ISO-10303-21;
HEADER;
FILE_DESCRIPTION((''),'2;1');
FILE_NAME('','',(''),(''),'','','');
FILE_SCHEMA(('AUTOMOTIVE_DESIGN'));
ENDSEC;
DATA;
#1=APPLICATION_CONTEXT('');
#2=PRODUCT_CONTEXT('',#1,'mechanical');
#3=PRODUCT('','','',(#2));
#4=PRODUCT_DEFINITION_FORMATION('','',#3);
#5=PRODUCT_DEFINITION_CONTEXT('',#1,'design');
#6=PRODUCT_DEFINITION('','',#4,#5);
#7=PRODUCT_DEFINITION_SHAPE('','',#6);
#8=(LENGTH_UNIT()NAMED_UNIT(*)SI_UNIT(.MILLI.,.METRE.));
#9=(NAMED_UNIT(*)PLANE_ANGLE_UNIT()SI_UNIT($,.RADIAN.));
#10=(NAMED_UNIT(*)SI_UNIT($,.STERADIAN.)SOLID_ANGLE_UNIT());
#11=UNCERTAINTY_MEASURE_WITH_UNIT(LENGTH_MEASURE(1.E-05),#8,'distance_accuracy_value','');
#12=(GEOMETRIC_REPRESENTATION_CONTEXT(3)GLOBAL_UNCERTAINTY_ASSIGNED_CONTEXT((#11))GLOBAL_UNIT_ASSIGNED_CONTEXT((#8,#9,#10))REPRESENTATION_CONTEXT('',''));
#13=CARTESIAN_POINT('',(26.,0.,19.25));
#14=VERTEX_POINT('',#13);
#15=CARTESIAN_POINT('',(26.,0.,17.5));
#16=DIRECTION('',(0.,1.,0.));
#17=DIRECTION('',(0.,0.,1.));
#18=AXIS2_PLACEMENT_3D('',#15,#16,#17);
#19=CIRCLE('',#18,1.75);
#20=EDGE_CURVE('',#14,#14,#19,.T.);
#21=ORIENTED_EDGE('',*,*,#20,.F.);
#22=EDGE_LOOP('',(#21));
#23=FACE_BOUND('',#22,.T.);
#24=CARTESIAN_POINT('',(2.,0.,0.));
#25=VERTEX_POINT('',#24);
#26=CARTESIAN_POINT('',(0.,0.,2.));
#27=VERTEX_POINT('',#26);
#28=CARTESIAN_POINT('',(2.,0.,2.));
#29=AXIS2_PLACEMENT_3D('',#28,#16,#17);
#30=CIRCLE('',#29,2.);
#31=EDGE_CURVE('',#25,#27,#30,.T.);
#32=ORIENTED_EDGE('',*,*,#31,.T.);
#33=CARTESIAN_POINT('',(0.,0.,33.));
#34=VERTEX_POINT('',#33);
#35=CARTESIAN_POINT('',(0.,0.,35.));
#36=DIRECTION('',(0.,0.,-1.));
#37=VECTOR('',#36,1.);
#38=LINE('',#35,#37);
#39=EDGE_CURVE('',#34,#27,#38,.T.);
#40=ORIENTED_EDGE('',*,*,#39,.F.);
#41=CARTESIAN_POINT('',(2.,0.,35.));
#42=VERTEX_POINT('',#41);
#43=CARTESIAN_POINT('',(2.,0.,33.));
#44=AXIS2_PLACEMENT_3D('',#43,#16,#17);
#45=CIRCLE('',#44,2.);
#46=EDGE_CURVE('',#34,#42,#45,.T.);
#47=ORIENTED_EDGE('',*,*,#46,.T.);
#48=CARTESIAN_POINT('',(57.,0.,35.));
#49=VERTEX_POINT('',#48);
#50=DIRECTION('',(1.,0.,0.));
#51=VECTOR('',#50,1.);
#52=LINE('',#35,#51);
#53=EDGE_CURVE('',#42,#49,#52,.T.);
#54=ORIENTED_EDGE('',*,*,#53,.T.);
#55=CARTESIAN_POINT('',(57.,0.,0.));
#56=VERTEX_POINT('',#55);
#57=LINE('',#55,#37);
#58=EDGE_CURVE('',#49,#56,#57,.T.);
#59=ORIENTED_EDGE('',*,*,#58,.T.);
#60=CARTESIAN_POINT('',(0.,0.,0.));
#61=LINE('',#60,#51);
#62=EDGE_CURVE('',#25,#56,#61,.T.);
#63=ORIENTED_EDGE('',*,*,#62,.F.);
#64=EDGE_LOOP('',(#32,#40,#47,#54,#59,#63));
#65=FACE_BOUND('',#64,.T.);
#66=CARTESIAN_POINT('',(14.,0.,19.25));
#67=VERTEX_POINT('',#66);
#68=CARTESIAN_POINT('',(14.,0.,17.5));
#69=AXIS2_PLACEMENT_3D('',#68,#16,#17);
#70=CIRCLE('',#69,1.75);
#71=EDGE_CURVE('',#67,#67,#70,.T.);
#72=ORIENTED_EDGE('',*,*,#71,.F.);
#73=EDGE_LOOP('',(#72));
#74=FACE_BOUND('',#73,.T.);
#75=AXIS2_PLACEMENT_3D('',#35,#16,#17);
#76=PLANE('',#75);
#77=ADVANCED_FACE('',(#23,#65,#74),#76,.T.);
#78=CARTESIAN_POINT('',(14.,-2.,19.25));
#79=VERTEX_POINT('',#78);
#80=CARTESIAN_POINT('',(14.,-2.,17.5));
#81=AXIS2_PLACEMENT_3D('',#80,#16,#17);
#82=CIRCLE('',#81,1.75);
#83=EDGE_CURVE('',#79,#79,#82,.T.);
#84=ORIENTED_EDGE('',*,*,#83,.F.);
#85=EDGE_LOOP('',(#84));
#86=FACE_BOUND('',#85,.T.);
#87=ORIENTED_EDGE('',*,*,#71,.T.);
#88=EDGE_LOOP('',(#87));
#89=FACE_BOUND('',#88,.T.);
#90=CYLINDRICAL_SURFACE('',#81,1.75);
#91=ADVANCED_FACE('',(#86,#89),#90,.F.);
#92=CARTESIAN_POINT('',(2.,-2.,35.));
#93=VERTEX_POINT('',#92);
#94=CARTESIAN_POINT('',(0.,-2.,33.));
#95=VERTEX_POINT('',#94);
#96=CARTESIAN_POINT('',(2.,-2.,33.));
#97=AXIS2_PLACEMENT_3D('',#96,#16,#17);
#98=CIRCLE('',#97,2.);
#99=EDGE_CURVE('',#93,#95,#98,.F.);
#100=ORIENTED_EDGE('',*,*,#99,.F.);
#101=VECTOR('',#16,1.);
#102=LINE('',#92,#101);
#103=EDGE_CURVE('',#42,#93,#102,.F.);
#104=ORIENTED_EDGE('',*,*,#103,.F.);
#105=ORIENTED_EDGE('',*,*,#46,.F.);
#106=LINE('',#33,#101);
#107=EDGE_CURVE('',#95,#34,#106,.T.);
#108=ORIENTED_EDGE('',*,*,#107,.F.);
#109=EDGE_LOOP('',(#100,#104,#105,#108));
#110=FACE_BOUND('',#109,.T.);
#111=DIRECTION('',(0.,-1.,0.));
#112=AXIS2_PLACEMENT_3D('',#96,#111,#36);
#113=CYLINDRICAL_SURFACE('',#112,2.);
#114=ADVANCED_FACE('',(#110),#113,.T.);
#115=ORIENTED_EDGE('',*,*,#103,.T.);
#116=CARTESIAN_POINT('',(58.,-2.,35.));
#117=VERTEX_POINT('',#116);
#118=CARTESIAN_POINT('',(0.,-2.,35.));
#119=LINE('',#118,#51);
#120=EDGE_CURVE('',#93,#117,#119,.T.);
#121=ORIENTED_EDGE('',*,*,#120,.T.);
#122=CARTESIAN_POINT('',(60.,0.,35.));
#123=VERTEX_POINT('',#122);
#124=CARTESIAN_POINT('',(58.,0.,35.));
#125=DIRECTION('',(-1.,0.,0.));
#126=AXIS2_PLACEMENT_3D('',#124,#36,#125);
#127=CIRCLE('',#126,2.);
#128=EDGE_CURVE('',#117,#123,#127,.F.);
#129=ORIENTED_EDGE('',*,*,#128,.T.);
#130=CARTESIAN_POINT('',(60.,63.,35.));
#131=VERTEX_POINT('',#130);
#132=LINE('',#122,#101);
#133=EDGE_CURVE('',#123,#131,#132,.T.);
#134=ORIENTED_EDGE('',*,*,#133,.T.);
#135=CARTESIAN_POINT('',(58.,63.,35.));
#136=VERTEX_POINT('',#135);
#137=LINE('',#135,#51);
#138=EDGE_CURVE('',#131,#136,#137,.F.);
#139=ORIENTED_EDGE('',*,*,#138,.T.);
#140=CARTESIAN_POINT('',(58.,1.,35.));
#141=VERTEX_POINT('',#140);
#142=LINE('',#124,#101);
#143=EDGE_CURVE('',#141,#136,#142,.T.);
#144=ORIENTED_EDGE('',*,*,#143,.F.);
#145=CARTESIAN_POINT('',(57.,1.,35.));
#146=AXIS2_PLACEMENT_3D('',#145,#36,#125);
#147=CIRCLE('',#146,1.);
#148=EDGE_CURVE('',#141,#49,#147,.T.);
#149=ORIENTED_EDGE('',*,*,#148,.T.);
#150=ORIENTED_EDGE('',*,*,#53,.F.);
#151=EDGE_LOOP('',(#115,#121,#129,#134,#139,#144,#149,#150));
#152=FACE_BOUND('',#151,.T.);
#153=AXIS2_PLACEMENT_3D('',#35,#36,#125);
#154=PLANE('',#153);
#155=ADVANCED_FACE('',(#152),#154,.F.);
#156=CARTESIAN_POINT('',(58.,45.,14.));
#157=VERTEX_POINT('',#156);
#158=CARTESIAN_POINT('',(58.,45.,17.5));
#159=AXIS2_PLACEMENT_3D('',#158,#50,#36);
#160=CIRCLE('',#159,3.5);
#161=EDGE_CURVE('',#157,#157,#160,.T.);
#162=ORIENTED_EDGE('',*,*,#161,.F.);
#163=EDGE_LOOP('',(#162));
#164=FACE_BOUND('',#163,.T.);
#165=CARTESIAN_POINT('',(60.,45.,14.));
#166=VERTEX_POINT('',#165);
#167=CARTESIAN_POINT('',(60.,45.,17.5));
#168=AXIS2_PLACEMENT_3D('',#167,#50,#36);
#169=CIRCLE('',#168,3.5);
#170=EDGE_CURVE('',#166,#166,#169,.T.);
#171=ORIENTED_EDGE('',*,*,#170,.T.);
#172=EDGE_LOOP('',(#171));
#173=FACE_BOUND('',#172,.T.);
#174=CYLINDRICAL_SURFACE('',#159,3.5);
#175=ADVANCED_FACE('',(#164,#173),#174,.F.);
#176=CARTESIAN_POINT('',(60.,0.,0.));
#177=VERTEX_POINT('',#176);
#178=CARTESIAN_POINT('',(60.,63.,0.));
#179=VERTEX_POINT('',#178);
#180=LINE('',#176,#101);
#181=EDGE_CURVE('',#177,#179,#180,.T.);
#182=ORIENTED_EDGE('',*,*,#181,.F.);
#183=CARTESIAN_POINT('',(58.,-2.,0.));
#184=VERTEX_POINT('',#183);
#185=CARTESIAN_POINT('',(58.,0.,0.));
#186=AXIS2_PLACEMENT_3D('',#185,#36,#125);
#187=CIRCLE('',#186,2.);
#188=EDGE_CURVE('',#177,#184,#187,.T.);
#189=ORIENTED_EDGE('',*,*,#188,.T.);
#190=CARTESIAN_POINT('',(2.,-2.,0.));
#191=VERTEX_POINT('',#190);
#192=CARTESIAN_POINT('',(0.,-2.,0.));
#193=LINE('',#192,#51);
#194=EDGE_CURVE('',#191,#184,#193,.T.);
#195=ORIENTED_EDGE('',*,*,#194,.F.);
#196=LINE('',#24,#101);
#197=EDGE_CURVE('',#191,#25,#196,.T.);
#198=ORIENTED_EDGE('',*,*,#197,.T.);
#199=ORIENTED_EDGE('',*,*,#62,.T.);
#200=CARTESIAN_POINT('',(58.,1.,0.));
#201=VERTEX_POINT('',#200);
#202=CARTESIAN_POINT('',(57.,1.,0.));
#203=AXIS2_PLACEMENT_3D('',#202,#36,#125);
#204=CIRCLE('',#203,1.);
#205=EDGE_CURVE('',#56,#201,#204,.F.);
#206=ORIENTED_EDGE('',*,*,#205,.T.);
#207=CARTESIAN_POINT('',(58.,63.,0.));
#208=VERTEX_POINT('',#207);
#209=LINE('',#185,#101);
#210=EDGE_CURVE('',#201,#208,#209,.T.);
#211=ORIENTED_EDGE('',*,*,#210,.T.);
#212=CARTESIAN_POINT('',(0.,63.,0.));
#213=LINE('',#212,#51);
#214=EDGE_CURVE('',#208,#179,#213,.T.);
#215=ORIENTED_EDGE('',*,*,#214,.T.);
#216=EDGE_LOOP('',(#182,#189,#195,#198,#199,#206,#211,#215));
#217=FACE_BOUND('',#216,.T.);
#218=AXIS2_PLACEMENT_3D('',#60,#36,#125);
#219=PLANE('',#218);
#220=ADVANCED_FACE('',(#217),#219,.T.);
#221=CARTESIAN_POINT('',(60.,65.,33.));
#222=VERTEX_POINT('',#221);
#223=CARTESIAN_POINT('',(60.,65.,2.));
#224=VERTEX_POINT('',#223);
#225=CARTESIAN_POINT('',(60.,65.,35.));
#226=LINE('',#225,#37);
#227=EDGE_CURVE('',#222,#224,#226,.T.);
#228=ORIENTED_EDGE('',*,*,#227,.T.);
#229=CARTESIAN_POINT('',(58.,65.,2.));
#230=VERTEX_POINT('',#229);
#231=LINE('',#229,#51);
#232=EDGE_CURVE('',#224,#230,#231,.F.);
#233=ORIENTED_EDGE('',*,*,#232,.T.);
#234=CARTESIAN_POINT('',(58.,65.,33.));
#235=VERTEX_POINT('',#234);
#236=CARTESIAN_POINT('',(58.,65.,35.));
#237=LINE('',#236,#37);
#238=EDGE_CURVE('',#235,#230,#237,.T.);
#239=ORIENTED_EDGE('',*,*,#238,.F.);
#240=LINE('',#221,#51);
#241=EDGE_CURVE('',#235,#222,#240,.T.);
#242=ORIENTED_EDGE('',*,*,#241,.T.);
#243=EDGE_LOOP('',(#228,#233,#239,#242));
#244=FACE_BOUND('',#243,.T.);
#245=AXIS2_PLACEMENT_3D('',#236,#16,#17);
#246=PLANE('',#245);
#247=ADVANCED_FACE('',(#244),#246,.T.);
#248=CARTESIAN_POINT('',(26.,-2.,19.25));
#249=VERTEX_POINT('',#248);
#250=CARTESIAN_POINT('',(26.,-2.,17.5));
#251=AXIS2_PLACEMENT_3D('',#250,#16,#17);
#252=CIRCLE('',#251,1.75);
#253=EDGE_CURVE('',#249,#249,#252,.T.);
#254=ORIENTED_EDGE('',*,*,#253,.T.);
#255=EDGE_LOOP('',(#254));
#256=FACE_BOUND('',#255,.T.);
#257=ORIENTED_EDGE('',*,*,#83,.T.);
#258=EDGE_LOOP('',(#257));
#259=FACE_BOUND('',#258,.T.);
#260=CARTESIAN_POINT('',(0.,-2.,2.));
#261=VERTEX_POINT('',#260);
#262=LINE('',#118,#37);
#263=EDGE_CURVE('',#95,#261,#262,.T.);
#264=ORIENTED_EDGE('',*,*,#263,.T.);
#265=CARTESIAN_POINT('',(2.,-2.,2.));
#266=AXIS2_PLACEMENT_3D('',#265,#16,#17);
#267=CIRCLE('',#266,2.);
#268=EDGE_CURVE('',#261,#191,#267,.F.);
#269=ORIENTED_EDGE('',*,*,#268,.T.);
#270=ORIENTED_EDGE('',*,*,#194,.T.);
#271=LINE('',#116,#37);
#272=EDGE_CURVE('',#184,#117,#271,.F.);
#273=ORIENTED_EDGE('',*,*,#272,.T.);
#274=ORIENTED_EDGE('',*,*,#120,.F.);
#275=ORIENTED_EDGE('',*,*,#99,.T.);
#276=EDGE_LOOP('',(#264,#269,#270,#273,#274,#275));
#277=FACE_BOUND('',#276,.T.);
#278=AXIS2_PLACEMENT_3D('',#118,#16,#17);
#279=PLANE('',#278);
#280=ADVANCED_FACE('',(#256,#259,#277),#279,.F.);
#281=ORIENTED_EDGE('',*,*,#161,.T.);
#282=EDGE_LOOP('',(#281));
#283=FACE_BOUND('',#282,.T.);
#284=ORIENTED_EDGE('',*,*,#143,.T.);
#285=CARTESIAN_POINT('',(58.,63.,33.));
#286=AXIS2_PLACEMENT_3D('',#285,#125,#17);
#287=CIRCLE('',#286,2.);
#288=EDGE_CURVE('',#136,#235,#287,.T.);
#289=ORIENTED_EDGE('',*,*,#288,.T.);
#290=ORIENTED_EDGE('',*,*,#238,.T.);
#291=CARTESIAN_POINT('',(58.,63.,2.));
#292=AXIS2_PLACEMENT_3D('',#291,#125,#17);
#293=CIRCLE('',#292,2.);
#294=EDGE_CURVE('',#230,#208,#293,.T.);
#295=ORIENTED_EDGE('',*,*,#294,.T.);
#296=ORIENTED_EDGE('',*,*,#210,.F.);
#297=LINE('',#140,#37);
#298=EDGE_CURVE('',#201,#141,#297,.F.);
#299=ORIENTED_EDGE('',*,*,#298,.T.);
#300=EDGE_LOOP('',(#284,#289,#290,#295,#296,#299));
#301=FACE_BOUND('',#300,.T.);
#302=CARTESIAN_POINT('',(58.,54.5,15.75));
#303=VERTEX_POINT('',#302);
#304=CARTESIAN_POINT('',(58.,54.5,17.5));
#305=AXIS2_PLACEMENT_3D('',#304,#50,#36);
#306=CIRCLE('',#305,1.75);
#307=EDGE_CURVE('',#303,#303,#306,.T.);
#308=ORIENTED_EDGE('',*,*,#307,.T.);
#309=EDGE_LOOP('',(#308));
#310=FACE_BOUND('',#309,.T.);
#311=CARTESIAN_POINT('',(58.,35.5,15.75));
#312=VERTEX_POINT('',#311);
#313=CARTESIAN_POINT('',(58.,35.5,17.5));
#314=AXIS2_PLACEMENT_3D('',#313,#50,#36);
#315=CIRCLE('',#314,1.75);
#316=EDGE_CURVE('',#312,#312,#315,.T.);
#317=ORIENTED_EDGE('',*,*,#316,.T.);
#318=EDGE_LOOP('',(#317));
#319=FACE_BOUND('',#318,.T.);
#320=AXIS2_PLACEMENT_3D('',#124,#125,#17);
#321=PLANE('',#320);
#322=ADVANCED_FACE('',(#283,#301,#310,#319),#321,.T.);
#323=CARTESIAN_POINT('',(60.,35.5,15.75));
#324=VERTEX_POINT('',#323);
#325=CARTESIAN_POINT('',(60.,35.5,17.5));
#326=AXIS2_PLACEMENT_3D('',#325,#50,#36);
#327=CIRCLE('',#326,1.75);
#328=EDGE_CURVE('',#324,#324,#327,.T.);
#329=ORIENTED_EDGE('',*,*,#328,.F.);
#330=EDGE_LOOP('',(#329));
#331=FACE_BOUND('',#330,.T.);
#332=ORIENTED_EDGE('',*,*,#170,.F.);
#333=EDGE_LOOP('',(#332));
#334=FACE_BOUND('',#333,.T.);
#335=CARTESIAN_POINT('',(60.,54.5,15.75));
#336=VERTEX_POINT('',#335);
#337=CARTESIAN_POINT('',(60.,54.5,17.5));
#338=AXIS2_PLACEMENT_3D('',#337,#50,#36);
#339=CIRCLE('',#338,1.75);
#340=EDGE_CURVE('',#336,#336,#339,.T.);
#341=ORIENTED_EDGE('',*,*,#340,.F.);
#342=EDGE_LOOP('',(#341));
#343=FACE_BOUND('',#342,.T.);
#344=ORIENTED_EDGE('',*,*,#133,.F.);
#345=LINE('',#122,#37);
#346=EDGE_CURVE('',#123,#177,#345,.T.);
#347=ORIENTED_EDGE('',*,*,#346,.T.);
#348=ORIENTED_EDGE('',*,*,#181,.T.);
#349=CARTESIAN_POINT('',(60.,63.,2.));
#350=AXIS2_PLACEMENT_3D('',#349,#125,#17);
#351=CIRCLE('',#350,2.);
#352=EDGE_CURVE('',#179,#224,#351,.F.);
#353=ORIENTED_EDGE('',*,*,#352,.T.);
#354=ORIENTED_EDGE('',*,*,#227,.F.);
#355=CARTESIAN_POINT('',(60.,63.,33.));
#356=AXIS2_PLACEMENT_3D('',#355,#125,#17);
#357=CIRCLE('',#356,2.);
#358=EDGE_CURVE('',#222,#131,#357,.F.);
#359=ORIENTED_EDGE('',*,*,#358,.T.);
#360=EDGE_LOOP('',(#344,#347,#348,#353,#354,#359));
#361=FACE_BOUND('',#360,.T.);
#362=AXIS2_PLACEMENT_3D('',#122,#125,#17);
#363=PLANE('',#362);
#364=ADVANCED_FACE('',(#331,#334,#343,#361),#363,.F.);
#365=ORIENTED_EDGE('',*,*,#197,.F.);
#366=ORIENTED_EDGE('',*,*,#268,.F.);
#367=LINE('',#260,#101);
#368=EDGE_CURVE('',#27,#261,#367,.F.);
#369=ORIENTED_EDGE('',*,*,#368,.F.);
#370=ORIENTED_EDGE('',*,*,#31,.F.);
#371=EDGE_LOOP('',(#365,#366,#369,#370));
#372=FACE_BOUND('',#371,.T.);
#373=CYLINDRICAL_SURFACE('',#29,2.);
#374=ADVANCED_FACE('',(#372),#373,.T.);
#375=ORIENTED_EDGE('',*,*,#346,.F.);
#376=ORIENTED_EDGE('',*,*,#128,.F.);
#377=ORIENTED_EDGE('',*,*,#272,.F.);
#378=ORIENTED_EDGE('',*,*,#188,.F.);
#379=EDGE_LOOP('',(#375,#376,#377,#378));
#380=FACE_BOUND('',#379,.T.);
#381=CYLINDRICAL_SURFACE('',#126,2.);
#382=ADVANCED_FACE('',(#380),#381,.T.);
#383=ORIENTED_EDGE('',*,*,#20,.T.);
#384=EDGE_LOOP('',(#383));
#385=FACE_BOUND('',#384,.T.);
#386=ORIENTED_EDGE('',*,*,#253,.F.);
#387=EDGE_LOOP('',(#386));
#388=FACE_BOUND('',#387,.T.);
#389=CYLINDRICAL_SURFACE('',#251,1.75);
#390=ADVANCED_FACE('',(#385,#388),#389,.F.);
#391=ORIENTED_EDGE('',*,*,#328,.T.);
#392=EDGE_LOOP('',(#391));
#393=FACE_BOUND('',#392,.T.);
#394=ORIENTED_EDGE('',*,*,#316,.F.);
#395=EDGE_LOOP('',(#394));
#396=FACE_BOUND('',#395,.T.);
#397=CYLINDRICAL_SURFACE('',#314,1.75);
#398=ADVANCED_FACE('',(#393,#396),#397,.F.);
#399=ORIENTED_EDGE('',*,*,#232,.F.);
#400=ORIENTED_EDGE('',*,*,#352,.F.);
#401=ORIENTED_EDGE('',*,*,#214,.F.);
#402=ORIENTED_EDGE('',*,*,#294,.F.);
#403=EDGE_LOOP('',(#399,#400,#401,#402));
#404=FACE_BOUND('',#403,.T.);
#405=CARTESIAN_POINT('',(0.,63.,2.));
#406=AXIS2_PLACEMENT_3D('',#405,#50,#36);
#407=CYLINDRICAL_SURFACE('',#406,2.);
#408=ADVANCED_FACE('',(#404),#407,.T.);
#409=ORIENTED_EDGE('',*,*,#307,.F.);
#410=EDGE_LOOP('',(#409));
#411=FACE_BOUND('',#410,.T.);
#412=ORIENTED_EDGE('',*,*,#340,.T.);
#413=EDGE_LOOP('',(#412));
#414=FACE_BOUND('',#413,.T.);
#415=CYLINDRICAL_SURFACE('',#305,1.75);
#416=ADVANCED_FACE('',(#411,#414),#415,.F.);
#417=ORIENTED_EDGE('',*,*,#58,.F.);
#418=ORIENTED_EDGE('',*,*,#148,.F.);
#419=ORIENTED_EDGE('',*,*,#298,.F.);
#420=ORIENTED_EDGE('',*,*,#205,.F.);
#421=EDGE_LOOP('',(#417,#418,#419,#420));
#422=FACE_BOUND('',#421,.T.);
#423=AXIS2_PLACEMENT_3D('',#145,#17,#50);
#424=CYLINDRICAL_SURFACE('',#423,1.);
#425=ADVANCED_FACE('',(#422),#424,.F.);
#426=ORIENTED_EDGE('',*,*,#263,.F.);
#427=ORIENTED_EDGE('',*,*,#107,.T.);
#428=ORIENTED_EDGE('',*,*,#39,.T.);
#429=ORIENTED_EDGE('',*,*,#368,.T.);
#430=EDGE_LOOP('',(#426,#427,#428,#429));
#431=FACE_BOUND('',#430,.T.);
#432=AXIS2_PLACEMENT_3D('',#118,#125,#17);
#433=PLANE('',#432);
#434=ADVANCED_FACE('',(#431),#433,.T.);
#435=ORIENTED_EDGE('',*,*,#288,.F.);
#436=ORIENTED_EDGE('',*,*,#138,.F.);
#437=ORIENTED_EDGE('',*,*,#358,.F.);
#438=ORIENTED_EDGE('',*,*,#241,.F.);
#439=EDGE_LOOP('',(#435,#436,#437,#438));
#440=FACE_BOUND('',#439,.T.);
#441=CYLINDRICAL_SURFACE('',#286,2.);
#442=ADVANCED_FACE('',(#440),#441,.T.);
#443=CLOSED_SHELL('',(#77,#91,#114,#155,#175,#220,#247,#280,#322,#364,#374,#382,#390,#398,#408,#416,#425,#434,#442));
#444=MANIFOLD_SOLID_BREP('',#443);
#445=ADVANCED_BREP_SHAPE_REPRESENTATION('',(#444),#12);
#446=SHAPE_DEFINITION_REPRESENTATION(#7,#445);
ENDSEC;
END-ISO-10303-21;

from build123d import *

# Parameters (mm, degrees)
EXTRU_MINCE1_DEPTH      = 35
CONG_1_R                = 2
CONG_3_R                = 1
ESQUISSE3_R             = 1.75
ESQUISSE3_R_2           = 3.5
ENL_V_MAT_EXTRU_2_DEPTH = 2
CONG_5_R                = 2
CONG_6_R                = 2
CONG_7_R                = 2
CONG_8_R                = 2
ESQUISSE4_R             = 1.75
ENL_V_MAT_EXTRU_3_DEPTH = 2


with BuildPart() as part:
    # Esquisse1 → Extru.-Mince1 (new body)
    with BuildSketch(Plane.XY):
        Polygon((0, 0), (58, 0), (58, 65), (60, 65), (60, -2), (0, -2), align=None)
    extrude(amount=EXTRU_MINCE1_DEPTH)

    # Congé1
    cong_1_edges = [part.edges().sort_by_distance(p)[0] for p in [
        (60, -2, 17.5),
    ]]
    fillet(cong_1_edges, radius=CONG_1_R)

    # Congé3
    cong_3_edges = [part.edges().sort_by_distance(p)[0] for p in [
        (58, 0, 17.5),
    ]]
    fillet(cong_3_edges, radius=CONG_3_R)

    # Esquisse3 → Enlèv. mat.-Extru.2 (cut)
    with BuildSketch(Plane(origin=(60, 0, 0), x_dir=(0, 0, -1), z_dir=(1, 0, 0))):
        with Locations((-17.5, 35.5)):
            Circle(ESQUISSE3_R)
        with Locations((-17.5, 54.5)):
            Circle(ESQUISSE3_R)
        with Locations((-17.5, 45)):
            Circle(ESQUISSE3_R_2)
    extrude(amount=-ENL_V_MAT_EXTRU_2_DEPTH, mode=Mode.SUBTRACT)

    # Congé5
    cong_5_edges = [part.edges().sort_by_distance(p)[0] for p in [
        (59, 65, 35),
    ]]
    fillet(cong_5_edges, radius=CONG_5_R)

    # Congé6
    cong_6_edges = [part.edges().sort_by_distance(p)[0] for p in [
        (59, 65, 0),
    ]]
    fillet(cong_6_edges, radius=CONG_6_R)

    # Congé7
    cong_7_edges = [part.edges().sort_by_distance(p)[0] for p in [
        (0, -1, 0),
    ]]
    fillet(cong_7_edges, radius=CONG_7_R)

    # Congé8
    cong_8_edges = [part.edges().sort_by_distance(p)[0] for p in [
        (0, -1, 35),
    ]]
    fillet(cong_8_edges, radius=CONG_8_R)

    # Esquisse4 → Enlèv. mat.-Extru.3 (cut)
    with BuildSketch(Plane(origin=(0, 0, 0), x_dir=(1, 0, 0), z_dir=(0, 1, 0))):
        with Locations(Location((26, -17.5, 0), (0, 0, 270))):
            Circle(ESQUISSE4_R)
        with Locations(Location((14, -17.5, 0), (0, 0, 270))):
            Circle(ESQUISSE4_R)
    extrude(amount=-ENL_V_MAT_EXTRU_3_DEPTH, mode=Mode.SUBTRACT)


solid = part.part
